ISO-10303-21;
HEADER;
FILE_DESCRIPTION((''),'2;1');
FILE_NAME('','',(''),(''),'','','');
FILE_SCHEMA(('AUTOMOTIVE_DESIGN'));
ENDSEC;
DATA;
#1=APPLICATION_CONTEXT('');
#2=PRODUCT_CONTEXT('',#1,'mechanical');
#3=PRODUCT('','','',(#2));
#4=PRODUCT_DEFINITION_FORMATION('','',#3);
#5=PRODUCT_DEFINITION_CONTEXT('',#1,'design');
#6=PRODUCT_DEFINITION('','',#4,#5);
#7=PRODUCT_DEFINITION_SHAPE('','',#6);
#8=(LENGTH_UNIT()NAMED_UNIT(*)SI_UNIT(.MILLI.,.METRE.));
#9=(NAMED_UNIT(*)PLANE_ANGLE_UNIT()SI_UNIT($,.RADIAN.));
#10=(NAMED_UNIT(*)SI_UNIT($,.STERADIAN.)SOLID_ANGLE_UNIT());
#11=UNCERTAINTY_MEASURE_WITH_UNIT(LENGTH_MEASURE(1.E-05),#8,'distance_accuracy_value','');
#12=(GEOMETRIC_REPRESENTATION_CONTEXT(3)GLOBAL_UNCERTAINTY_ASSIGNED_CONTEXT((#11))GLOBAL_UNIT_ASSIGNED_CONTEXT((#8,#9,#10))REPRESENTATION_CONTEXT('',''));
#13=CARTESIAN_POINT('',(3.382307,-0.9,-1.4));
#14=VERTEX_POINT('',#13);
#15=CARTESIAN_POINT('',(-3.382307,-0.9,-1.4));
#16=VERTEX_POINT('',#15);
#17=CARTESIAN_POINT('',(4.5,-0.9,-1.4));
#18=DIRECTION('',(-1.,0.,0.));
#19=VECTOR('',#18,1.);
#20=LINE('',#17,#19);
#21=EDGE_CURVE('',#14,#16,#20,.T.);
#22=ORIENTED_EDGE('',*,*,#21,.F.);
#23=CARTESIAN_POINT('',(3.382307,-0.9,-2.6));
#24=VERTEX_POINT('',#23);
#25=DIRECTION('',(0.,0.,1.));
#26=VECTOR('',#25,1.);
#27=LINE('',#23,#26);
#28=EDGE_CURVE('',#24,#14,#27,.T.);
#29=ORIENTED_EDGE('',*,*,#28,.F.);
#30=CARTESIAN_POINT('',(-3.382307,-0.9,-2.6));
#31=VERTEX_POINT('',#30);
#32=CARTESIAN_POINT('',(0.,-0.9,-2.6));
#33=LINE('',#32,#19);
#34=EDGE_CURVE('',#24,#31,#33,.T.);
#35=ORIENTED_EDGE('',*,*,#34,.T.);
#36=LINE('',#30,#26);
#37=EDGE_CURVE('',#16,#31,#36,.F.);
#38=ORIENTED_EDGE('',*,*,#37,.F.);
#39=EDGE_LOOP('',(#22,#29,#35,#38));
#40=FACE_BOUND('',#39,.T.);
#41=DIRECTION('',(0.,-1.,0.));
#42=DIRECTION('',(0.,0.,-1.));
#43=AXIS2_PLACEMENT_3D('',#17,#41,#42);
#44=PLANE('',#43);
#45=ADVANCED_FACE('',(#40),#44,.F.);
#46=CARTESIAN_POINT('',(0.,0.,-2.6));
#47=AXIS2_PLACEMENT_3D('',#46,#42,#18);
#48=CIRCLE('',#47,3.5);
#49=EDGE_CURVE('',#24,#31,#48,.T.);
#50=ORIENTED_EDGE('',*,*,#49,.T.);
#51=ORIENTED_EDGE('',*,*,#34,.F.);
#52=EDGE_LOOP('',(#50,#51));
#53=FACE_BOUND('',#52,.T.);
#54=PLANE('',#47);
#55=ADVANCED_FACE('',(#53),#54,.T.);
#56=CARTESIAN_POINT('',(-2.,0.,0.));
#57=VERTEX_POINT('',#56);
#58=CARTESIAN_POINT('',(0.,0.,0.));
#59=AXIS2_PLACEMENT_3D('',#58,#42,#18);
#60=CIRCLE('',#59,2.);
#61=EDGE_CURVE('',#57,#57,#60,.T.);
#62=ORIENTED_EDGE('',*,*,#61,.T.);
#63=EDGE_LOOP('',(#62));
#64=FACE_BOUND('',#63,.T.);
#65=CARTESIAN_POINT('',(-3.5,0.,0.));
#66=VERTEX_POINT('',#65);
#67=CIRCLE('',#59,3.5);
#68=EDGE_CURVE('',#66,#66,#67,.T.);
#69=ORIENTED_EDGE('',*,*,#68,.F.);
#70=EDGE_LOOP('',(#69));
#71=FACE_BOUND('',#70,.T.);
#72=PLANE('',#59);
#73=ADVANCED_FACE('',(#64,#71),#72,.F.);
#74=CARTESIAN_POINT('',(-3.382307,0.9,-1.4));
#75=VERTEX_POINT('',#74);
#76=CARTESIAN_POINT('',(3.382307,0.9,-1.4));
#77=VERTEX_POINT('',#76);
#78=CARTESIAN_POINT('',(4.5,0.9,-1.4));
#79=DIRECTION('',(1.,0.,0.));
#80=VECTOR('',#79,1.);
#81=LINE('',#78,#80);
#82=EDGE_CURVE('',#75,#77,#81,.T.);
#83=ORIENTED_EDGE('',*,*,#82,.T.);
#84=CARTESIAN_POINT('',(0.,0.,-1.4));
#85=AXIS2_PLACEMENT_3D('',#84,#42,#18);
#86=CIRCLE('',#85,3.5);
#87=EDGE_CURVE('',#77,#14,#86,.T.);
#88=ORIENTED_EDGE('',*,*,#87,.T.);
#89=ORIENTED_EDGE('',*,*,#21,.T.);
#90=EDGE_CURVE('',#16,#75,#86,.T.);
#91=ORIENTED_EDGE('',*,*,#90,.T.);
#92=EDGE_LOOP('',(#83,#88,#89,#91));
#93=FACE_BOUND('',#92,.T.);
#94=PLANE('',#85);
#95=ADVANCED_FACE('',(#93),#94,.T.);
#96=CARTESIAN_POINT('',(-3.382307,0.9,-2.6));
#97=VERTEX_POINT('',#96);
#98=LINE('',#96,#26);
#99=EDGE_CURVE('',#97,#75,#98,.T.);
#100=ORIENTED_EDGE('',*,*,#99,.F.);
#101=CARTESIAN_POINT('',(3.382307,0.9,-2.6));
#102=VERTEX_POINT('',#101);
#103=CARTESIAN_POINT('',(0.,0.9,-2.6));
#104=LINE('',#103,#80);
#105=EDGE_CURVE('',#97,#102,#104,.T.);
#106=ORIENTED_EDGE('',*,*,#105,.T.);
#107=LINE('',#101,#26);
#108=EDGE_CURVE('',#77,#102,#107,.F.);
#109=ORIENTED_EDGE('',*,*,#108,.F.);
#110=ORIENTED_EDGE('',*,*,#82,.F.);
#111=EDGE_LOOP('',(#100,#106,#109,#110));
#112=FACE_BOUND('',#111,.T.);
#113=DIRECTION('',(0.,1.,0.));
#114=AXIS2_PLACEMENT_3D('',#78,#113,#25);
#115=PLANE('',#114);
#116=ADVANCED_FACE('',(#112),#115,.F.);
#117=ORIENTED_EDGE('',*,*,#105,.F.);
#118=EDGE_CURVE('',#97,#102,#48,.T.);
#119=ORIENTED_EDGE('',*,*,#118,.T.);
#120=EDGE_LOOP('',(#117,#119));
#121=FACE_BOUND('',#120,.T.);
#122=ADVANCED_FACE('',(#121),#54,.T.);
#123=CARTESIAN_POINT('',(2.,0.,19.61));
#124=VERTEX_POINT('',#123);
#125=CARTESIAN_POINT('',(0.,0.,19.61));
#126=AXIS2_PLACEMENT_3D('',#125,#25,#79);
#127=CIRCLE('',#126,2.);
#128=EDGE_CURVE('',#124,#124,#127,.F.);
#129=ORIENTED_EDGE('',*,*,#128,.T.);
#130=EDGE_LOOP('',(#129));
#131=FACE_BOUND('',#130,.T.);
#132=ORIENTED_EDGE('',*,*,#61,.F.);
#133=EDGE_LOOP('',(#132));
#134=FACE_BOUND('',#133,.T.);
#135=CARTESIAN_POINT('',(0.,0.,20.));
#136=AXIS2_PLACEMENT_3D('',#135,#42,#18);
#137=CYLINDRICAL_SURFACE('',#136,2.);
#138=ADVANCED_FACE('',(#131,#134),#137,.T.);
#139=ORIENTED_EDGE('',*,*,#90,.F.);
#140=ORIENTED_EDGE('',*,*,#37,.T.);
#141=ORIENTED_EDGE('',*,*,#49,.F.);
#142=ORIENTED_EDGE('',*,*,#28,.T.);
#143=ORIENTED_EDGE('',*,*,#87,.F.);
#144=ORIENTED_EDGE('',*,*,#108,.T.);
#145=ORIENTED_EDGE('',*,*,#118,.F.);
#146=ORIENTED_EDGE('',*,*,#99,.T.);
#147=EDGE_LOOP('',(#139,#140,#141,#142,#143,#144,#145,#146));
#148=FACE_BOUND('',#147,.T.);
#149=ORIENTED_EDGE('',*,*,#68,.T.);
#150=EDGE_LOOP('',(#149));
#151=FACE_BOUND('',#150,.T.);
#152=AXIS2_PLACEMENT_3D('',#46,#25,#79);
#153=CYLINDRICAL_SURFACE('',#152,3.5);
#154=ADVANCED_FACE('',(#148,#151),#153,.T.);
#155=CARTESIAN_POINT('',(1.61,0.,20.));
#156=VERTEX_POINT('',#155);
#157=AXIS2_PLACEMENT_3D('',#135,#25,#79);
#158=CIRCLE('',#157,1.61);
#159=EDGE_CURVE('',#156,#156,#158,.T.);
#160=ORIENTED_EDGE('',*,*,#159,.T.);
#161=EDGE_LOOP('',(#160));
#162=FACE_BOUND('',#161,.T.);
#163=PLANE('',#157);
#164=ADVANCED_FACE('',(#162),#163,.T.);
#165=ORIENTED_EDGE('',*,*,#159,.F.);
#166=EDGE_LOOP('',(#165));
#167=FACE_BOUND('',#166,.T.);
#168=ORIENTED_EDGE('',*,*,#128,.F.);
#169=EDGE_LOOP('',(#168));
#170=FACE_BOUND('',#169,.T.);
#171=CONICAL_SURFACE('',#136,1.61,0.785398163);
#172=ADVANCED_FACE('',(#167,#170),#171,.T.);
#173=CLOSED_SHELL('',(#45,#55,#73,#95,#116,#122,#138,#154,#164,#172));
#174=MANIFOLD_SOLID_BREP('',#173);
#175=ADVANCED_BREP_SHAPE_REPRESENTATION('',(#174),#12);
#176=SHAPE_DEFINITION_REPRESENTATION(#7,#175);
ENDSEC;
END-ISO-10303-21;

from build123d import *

# Parameters (mm, degrees)
SKETCH_1_R          = 2
EXTRUDE_1_DEPTH     = 20
SKETCH_2_R          = 3.5
EXTRUDE_2_DEPTH     = 2.6
SKETCH_3_W          = 9
SKETCH_3_H          = 1.8
CUT_EXTRUDE_1_DEPTH = 1.2
CHAMFER_1_SIZE      = 0.39


with BuildPart() as part:
    # Эскиз1 → Бобышка-Вытянуть1 (new body)
    with BuildSketch(Plane.XY):
        Circle(SKETCH_1_R)
    extrude(amount=EXTRUDE_1_DEPTH)

    # Эскиз2 → Бобышка-Вытянуть2 (add)
    with BuildSketch(Plane(origin=(0, 0, 0), x_dir=(-1, 0, 0), z_dir=(0, 0, -1))):
        Circle(SKETCH_2_R)
    extrude(amount=EXTRUDE_2_DEPTH)

    # Эскиз3 → Вырез-Вытянуть1 (cut)
    with BuildSketch(Plane(origin=(0, 0, -2.6), x_dir=(-1, 0, 0), z_dir=(0, 0, -1))):
        Rectangle(SKETCH_3_W, SKETCH_3_H)
    extrude(amount=-CUT_EXTRUDE_1_DEPTH, mode=Mode.SUBTRACT)

    # Фаска1
    chamfer_1_edges = [part.edges().sort_by_distance(p)[0] for p in [
        (-2, 0, 20),
    ]]
    chamfer(chamfer_1_edges, length=CHAMFER_1_SIZE)


solid = part.part
